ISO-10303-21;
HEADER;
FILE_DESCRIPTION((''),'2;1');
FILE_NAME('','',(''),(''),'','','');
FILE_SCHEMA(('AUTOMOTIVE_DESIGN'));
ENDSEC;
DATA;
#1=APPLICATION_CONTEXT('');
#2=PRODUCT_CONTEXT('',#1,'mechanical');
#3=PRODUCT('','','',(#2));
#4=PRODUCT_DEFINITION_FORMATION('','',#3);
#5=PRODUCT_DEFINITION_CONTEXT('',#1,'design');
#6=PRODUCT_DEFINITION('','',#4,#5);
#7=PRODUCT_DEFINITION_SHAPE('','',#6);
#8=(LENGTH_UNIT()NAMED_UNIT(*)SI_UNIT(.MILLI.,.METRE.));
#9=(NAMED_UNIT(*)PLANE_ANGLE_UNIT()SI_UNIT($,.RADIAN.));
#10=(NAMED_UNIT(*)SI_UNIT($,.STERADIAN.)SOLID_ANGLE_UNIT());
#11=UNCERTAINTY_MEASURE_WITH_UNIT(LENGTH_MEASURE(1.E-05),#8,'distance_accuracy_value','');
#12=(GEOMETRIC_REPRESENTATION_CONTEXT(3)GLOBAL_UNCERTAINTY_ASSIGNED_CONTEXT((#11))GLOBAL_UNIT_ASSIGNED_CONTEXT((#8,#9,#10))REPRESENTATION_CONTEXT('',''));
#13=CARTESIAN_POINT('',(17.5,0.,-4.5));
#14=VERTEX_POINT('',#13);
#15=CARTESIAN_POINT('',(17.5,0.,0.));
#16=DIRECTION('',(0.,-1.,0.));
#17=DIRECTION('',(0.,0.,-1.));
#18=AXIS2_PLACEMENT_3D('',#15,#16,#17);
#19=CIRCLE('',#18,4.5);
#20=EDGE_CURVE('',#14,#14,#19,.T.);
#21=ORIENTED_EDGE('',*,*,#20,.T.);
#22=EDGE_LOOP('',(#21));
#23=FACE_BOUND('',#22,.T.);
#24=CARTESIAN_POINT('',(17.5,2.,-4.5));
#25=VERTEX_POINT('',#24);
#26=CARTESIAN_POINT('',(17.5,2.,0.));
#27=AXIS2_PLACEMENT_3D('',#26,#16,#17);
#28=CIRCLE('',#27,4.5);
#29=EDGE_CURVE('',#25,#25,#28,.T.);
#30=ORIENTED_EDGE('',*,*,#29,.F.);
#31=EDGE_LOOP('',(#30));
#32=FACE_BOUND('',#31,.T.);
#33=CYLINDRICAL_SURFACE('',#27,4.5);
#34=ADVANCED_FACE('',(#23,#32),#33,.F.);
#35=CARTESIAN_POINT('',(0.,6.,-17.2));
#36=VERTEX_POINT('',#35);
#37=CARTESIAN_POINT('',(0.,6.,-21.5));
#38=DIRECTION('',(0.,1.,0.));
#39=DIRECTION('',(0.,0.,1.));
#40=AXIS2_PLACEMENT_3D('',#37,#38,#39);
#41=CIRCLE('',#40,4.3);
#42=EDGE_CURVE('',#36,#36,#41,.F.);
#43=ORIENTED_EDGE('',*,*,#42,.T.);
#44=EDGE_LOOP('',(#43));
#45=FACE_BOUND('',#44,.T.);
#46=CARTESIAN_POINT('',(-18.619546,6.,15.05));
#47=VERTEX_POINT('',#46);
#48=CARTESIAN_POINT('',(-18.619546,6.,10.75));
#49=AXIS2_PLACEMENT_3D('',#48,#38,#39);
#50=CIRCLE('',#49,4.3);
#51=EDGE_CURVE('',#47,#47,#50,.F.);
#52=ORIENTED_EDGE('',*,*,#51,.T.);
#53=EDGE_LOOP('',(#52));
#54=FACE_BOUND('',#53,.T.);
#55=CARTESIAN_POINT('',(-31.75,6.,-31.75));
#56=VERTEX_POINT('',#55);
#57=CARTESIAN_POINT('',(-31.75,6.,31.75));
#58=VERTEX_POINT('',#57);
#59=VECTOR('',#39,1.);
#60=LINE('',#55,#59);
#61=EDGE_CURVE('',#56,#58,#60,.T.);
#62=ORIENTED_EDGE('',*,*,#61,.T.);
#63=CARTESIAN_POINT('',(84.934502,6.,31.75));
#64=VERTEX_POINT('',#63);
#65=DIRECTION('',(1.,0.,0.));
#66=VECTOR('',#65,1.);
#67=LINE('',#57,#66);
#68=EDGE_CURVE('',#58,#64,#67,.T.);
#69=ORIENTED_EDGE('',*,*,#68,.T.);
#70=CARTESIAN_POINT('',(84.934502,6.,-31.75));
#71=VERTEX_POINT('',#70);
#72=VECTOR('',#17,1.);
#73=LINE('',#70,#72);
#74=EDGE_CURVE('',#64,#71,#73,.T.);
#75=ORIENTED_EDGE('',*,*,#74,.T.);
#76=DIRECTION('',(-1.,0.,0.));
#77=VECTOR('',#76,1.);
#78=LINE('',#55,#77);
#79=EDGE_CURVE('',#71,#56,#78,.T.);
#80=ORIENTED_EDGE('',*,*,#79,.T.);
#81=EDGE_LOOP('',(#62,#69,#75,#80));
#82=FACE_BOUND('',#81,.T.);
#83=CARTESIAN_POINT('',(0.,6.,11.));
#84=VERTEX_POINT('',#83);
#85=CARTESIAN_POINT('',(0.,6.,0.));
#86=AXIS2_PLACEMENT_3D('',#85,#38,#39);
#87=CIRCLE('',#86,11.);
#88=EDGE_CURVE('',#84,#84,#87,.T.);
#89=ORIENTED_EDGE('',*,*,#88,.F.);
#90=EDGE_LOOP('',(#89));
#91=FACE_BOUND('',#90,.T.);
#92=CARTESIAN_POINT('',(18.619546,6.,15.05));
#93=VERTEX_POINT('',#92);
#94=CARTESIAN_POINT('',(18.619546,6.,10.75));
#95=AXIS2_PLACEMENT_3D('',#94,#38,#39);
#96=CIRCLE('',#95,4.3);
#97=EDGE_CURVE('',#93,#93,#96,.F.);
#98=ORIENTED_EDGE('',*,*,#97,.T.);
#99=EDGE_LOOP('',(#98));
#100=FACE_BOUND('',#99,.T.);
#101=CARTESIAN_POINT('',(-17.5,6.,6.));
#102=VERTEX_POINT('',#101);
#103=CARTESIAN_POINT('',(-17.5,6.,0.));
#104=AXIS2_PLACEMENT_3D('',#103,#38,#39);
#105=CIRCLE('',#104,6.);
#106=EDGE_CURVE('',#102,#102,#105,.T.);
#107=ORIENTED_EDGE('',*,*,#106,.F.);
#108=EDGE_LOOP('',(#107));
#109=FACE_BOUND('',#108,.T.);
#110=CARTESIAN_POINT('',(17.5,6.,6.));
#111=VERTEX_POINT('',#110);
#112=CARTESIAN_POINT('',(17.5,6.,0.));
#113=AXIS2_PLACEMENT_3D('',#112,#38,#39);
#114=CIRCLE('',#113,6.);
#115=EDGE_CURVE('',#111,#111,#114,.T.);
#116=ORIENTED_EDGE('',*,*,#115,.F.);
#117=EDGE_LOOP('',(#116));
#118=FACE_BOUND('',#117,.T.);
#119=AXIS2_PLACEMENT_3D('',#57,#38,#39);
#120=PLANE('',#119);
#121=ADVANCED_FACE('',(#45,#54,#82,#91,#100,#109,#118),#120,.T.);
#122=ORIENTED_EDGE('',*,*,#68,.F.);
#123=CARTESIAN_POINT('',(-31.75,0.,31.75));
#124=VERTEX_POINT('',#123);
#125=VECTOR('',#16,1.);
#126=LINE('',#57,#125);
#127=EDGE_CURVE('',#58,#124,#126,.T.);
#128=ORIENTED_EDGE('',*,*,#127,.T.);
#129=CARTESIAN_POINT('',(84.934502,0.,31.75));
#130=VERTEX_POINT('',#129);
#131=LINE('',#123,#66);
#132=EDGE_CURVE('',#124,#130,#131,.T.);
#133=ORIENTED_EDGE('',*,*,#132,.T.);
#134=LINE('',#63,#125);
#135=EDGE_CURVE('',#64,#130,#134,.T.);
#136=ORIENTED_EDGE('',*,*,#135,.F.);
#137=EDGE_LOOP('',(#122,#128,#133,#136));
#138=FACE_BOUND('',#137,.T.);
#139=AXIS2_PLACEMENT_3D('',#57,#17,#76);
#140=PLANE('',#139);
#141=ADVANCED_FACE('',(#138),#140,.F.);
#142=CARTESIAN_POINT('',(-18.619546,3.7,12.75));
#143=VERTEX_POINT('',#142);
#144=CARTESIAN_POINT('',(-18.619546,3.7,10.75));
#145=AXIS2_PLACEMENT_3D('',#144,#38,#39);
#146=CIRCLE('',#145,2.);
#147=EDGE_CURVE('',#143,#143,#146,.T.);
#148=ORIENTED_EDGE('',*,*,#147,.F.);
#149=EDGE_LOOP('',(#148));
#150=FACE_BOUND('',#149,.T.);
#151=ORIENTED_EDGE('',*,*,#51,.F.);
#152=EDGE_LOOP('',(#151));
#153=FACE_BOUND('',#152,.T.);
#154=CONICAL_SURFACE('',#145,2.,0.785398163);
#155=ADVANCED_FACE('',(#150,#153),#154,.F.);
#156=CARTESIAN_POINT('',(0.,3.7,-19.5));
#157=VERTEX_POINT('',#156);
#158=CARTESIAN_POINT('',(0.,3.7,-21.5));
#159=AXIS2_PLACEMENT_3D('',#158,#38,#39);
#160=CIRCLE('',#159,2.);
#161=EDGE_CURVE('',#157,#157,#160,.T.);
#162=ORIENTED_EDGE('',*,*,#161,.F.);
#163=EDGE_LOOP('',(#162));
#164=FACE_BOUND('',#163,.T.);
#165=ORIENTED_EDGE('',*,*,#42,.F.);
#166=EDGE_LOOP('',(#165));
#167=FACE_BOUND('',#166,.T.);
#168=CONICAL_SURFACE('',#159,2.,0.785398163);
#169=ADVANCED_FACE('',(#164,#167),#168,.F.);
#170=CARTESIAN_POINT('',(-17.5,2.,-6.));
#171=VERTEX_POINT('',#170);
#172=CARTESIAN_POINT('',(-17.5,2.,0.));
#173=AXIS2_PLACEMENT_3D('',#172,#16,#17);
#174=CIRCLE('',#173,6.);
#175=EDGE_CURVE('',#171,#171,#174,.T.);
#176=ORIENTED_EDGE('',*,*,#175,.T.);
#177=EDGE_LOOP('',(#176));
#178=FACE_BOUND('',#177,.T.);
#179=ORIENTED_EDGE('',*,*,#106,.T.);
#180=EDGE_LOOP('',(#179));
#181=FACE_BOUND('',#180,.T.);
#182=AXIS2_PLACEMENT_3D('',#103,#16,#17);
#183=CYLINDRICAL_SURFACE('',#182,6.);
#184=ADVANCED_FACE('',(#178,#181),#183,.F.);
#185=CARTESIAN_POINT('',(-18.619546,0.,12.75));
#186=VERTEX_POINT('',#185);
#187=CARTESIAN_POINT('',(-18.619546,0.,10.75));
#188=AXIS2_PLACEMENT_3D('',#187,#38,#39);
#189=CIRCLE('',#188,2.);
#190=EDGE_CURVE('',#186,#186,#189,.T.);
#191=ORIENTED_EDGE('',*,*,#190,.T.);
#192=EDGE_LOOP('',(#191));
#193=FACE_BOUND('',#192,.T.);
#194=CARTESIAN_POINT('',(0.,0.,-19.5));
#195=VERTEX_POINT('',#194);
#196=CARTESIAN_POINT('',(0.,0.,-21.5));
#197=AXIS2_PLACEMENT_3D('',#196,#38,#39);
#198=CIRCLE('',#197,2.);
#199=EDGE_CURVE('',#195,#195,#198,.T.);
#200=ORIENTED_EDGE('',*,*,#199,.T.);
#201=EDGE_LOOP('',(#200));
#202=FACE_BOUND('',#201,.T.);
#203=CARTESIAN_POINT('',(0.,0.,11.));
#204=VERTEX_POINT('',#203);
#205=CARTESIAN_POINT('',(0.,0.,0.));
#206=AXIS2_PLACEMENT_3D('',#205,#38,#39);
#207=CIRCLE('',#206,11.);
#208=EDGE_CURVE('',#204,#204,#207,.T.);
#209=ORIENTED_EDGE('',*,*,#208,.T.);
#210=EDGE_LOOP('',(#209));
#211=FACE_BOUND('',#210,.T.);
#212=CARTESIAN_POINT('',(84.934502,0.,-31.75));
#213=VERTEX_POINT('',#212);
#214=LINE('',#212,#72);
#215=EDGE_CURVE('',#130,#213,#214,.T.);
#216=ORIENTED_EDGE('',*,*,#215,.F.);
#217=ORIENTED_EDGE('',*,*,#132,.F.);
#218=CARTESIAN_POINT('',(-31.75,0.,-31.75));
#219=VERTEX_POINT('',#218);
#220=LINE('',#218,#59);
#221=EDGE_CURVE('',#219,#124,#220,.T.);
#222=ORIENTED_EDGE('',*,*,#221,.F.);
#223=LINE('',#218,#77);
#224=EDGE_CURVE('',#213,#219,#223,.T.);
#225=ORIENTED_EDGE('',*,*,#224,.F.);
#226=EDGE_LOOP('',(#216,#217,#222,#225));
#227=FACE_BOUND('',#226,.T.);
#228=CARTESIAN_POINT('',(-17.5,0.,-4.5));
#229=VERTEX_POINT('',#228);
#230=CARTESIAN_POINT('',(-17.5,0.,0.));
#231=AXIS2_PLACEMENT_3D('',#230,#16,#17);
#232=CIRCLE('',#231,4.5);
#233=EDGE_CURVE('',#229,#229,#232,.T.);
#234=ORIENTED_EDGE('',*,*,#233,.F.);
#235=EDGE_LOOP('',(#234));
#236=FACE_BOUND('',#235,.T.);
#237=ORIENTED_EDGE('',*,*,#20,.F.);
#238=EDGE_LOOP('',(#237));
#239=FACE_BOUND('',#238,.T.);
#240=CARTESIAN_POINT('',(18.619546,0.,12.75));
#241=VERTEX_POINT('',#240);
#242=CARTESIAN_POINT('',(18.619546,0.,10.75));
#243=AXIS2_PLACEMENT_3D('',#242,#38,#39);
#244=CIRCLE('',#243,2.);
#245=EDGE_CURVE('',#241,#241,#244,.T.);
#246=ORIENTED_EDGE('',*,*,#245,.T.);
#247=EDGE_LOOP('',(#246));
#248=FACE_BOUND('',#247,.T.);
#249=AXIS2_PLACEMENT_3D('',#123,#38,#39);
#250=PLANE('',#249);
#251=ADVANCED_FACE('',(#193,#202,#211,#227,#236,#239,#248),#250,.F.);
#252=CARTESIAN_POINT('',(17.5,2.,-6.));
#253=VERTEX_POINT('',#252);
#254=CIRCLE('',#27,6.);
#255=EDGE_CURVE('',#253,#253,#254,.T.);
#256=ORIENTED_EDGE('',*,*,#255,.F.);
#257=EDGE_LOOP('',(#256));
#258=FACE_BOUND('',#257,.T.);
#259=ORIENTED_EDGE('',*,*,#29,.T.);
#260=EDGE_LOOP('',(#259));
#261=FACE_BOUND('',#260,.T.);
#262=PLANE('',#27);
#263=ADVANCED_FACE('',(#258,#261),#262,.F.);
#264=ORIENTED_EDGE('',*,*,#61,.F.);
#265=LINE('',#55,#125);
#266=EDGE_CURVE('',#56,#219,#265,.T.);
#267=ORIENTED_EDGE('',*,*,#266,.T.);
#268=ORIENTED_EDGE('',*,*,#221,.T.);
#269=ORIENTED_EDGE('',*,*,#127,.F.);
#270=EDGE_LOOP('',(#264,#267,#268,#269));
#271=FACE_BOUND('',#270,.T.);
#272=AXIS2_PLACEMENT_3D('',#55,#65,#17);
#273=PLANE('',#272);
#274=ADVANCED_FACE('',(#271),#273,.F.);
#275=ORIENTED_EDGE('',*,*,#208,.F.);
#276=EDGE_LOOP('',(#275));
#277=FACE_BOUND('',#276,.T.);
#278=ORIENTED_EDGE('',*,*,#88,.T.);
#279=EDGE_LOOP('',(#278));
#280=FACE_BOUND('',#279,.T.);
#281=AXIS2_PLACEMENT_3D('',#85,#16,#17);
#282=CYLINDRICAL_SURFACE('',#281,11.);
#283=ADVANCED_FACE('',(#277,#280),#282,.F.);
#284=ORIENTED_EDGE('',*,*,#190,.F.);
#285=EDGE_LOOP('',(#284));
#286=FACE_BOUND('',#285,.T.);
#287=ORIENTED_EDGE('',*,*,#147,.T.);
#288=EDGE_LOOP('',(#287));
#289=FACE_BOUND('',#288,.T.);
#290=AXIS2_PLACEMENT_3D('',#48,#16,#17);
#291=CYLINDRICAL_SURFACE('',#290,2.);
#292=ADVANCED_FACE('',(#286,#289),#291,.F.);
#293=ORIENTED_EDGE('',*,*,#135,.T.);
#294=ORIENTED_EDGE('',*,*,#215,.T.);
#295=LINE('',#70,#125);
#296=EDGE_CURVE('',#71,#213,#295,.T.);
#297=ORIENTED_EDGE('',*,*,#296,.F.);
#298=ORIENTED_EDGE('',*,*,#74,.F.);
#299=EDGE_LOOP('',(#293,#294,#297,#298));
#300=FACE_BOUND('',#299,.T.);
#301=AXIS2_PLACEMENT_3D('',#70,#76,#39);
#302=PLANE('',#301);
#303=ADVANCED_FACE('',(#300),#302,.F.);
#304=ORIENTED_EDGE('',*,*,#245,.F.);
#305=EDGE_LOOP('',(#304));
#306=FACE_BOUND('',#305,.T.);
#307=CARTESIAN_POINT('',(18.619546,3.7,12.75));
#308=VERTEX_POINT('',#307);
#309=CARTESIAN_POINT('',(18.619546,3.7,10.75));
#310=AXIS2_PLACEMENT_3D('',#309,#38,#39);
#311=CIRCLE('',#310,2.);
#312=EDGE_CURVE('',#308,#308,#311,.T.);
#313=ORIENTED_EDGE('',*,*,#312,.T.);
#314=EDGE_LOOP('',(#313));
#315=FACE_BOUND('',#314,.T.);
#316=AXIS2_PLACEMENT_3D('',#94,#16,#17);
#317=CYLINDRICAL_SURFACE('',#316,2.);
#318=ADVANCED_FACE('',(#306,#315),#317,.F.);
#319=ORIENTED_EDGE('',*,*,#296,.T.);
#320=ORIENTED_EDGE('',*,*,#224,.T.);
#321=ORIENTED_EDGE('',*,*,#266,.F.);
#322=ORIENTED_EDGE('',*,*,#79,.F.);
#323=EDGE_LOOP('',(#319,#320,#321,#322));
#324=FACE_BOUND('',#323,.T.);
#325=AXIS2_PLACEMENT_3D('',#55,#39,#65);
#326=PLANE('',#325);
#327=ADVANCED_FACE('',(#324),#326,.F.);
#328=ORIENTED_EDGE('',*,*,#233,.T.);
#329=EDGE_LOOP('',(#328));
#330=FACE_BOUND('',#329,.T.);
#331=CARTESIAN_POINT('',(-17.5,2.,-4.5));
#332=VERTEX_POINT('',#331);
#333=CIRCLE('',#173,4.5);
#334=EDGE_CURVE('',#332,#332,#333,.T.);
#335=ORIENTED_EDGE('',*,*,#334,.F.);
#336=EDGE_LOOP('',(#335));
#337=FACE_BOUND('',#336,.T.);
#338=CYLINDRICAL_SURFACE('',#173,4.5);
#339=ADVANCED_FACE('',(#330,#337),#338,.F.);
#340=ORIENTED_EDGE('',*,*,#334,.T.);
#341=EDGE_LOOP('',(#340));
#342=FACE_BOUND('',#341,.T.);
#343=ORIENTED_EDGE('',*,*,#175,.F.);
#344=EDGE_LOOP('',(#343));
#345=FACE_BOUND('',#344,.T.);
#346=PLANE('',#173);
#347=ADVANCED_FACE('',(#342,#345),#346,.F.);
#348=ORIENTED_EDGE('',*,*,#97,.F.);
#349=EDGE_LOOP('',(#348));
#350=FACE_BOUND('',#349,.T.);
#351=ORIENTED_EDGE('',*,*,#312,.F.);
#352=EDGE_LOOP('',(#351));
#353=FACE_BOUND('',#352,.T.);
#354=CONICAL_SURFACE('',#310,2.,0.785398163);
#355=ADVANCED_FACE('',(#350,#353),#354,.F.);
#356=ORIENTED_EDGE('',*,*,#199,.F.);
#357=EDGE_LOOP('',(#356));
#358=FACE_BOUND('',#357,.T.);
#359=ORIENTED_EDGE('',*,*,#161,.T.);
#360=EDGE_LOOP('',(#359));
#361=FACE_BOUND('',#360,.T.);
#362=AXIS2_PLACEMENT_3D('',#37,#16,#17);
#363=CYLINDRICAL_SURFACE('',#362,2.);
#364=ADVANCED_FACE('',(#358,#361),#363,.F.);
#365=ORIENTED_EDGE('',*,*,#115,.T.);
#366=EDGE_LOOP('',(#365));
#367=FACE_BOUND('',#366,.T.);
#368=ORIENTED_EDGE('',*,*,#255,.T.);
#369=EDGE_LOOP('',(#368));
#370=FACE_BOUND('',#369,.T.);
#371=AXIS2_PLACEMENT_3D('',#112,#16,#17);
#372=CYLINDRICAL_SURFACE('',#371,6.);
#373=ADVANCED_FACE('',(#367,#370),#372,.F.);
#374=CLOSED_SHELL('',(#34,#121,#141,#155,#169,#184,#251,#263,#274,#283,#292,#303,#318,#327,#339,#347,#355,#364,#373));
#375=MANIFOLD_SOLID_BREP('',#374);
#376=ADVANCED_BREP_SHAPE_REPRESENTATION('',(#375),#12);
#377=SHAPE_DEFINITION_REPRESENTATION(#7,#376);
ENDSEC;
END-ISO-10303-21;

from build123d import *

# Parameters (mm, degrees)
SKETCH1_W           = 116.684502442
SKETCH1_H           = 63.5
SKETCH1_R           = 11
SKETCH1_R_2         = 2
SKETCH1_R_3         = 6
BOSS_EXTRUDE1_DEPTH = 6
CHAMFER1_SIZE       = 2.3
SKETCH2_R           = 6
SKETCH2_R_2         = 4.5
BOSS_EXTRUDE2_DEPTH = 2


with BuildPart() as part:
    # Sketch1 → Boss-Extrude1 (new body)
    with BuildSketch(Plane(origin=(0, 0, 0), x_dir=(1, 0, 0), z_dir=(0, 1, 0))):
        with Locations((26.592251221, 0)):
            Rectangle(SKETCH1_W, SKETCH1_H)
        Circle(SKETCH1_R, mode=Mode.SUBTRACT)
        with Locations((0, 21.5)):
            Circle(SKETCH1_R_2, mode=Mode.SUBTRACT)
        with Locations((18.619546181, -10.75)):
            Circle(SKETCH1_R_2, mode=Mode.SUBTRACT)
        with Locations((-18.619546181, -10.75)):
            Circle(SKETCH1_R_2, mode=Mode.SUBTRACT)
        with Locations((17.5, 0)):
            Circle(SKETCH1_R_3, mode=Mode.SUBTRACT)
        with Locations((-17.5, 0)):
            Circle(SKETCH1_R_3, mode=Mode.SUBTRACT)
    extrude(amount=BOSS_EXTRUDE1_DEPTH)

    # Chamfer1
    chamfer1_edges = [part.edges().sort_by_distance(p)[0] for p in [
        (-2, 6, -21.5),
        (16.619546181, 6, 10.75),
        (-20.619546181, 6, 10.75),
    ]]
    chamfer(chamfer1_edges, length=CHAMFER1_SIZE)

    # Sketch2 → Boss-Extrude2 (add)
    with BuildSketch(Plane.XZ):
        with Locations((-17.5, 0)):
            Circle(SKETCH2_R)
        with Locations((-17.5, 0)):
            Circle(SKETCH2_R_2, mode=Mode.SUBTRACT)
        with Locations((17.5, 0)):
            Circle(SKETCH2_R)
        with Locations((17.5, 0)):
            Circle(SKETCH2_R_2, mode=Mode.SUBTRACT)
    extrude(amount=-BOSS_EXTRUDE2_DEPTH)


solid = part.part
